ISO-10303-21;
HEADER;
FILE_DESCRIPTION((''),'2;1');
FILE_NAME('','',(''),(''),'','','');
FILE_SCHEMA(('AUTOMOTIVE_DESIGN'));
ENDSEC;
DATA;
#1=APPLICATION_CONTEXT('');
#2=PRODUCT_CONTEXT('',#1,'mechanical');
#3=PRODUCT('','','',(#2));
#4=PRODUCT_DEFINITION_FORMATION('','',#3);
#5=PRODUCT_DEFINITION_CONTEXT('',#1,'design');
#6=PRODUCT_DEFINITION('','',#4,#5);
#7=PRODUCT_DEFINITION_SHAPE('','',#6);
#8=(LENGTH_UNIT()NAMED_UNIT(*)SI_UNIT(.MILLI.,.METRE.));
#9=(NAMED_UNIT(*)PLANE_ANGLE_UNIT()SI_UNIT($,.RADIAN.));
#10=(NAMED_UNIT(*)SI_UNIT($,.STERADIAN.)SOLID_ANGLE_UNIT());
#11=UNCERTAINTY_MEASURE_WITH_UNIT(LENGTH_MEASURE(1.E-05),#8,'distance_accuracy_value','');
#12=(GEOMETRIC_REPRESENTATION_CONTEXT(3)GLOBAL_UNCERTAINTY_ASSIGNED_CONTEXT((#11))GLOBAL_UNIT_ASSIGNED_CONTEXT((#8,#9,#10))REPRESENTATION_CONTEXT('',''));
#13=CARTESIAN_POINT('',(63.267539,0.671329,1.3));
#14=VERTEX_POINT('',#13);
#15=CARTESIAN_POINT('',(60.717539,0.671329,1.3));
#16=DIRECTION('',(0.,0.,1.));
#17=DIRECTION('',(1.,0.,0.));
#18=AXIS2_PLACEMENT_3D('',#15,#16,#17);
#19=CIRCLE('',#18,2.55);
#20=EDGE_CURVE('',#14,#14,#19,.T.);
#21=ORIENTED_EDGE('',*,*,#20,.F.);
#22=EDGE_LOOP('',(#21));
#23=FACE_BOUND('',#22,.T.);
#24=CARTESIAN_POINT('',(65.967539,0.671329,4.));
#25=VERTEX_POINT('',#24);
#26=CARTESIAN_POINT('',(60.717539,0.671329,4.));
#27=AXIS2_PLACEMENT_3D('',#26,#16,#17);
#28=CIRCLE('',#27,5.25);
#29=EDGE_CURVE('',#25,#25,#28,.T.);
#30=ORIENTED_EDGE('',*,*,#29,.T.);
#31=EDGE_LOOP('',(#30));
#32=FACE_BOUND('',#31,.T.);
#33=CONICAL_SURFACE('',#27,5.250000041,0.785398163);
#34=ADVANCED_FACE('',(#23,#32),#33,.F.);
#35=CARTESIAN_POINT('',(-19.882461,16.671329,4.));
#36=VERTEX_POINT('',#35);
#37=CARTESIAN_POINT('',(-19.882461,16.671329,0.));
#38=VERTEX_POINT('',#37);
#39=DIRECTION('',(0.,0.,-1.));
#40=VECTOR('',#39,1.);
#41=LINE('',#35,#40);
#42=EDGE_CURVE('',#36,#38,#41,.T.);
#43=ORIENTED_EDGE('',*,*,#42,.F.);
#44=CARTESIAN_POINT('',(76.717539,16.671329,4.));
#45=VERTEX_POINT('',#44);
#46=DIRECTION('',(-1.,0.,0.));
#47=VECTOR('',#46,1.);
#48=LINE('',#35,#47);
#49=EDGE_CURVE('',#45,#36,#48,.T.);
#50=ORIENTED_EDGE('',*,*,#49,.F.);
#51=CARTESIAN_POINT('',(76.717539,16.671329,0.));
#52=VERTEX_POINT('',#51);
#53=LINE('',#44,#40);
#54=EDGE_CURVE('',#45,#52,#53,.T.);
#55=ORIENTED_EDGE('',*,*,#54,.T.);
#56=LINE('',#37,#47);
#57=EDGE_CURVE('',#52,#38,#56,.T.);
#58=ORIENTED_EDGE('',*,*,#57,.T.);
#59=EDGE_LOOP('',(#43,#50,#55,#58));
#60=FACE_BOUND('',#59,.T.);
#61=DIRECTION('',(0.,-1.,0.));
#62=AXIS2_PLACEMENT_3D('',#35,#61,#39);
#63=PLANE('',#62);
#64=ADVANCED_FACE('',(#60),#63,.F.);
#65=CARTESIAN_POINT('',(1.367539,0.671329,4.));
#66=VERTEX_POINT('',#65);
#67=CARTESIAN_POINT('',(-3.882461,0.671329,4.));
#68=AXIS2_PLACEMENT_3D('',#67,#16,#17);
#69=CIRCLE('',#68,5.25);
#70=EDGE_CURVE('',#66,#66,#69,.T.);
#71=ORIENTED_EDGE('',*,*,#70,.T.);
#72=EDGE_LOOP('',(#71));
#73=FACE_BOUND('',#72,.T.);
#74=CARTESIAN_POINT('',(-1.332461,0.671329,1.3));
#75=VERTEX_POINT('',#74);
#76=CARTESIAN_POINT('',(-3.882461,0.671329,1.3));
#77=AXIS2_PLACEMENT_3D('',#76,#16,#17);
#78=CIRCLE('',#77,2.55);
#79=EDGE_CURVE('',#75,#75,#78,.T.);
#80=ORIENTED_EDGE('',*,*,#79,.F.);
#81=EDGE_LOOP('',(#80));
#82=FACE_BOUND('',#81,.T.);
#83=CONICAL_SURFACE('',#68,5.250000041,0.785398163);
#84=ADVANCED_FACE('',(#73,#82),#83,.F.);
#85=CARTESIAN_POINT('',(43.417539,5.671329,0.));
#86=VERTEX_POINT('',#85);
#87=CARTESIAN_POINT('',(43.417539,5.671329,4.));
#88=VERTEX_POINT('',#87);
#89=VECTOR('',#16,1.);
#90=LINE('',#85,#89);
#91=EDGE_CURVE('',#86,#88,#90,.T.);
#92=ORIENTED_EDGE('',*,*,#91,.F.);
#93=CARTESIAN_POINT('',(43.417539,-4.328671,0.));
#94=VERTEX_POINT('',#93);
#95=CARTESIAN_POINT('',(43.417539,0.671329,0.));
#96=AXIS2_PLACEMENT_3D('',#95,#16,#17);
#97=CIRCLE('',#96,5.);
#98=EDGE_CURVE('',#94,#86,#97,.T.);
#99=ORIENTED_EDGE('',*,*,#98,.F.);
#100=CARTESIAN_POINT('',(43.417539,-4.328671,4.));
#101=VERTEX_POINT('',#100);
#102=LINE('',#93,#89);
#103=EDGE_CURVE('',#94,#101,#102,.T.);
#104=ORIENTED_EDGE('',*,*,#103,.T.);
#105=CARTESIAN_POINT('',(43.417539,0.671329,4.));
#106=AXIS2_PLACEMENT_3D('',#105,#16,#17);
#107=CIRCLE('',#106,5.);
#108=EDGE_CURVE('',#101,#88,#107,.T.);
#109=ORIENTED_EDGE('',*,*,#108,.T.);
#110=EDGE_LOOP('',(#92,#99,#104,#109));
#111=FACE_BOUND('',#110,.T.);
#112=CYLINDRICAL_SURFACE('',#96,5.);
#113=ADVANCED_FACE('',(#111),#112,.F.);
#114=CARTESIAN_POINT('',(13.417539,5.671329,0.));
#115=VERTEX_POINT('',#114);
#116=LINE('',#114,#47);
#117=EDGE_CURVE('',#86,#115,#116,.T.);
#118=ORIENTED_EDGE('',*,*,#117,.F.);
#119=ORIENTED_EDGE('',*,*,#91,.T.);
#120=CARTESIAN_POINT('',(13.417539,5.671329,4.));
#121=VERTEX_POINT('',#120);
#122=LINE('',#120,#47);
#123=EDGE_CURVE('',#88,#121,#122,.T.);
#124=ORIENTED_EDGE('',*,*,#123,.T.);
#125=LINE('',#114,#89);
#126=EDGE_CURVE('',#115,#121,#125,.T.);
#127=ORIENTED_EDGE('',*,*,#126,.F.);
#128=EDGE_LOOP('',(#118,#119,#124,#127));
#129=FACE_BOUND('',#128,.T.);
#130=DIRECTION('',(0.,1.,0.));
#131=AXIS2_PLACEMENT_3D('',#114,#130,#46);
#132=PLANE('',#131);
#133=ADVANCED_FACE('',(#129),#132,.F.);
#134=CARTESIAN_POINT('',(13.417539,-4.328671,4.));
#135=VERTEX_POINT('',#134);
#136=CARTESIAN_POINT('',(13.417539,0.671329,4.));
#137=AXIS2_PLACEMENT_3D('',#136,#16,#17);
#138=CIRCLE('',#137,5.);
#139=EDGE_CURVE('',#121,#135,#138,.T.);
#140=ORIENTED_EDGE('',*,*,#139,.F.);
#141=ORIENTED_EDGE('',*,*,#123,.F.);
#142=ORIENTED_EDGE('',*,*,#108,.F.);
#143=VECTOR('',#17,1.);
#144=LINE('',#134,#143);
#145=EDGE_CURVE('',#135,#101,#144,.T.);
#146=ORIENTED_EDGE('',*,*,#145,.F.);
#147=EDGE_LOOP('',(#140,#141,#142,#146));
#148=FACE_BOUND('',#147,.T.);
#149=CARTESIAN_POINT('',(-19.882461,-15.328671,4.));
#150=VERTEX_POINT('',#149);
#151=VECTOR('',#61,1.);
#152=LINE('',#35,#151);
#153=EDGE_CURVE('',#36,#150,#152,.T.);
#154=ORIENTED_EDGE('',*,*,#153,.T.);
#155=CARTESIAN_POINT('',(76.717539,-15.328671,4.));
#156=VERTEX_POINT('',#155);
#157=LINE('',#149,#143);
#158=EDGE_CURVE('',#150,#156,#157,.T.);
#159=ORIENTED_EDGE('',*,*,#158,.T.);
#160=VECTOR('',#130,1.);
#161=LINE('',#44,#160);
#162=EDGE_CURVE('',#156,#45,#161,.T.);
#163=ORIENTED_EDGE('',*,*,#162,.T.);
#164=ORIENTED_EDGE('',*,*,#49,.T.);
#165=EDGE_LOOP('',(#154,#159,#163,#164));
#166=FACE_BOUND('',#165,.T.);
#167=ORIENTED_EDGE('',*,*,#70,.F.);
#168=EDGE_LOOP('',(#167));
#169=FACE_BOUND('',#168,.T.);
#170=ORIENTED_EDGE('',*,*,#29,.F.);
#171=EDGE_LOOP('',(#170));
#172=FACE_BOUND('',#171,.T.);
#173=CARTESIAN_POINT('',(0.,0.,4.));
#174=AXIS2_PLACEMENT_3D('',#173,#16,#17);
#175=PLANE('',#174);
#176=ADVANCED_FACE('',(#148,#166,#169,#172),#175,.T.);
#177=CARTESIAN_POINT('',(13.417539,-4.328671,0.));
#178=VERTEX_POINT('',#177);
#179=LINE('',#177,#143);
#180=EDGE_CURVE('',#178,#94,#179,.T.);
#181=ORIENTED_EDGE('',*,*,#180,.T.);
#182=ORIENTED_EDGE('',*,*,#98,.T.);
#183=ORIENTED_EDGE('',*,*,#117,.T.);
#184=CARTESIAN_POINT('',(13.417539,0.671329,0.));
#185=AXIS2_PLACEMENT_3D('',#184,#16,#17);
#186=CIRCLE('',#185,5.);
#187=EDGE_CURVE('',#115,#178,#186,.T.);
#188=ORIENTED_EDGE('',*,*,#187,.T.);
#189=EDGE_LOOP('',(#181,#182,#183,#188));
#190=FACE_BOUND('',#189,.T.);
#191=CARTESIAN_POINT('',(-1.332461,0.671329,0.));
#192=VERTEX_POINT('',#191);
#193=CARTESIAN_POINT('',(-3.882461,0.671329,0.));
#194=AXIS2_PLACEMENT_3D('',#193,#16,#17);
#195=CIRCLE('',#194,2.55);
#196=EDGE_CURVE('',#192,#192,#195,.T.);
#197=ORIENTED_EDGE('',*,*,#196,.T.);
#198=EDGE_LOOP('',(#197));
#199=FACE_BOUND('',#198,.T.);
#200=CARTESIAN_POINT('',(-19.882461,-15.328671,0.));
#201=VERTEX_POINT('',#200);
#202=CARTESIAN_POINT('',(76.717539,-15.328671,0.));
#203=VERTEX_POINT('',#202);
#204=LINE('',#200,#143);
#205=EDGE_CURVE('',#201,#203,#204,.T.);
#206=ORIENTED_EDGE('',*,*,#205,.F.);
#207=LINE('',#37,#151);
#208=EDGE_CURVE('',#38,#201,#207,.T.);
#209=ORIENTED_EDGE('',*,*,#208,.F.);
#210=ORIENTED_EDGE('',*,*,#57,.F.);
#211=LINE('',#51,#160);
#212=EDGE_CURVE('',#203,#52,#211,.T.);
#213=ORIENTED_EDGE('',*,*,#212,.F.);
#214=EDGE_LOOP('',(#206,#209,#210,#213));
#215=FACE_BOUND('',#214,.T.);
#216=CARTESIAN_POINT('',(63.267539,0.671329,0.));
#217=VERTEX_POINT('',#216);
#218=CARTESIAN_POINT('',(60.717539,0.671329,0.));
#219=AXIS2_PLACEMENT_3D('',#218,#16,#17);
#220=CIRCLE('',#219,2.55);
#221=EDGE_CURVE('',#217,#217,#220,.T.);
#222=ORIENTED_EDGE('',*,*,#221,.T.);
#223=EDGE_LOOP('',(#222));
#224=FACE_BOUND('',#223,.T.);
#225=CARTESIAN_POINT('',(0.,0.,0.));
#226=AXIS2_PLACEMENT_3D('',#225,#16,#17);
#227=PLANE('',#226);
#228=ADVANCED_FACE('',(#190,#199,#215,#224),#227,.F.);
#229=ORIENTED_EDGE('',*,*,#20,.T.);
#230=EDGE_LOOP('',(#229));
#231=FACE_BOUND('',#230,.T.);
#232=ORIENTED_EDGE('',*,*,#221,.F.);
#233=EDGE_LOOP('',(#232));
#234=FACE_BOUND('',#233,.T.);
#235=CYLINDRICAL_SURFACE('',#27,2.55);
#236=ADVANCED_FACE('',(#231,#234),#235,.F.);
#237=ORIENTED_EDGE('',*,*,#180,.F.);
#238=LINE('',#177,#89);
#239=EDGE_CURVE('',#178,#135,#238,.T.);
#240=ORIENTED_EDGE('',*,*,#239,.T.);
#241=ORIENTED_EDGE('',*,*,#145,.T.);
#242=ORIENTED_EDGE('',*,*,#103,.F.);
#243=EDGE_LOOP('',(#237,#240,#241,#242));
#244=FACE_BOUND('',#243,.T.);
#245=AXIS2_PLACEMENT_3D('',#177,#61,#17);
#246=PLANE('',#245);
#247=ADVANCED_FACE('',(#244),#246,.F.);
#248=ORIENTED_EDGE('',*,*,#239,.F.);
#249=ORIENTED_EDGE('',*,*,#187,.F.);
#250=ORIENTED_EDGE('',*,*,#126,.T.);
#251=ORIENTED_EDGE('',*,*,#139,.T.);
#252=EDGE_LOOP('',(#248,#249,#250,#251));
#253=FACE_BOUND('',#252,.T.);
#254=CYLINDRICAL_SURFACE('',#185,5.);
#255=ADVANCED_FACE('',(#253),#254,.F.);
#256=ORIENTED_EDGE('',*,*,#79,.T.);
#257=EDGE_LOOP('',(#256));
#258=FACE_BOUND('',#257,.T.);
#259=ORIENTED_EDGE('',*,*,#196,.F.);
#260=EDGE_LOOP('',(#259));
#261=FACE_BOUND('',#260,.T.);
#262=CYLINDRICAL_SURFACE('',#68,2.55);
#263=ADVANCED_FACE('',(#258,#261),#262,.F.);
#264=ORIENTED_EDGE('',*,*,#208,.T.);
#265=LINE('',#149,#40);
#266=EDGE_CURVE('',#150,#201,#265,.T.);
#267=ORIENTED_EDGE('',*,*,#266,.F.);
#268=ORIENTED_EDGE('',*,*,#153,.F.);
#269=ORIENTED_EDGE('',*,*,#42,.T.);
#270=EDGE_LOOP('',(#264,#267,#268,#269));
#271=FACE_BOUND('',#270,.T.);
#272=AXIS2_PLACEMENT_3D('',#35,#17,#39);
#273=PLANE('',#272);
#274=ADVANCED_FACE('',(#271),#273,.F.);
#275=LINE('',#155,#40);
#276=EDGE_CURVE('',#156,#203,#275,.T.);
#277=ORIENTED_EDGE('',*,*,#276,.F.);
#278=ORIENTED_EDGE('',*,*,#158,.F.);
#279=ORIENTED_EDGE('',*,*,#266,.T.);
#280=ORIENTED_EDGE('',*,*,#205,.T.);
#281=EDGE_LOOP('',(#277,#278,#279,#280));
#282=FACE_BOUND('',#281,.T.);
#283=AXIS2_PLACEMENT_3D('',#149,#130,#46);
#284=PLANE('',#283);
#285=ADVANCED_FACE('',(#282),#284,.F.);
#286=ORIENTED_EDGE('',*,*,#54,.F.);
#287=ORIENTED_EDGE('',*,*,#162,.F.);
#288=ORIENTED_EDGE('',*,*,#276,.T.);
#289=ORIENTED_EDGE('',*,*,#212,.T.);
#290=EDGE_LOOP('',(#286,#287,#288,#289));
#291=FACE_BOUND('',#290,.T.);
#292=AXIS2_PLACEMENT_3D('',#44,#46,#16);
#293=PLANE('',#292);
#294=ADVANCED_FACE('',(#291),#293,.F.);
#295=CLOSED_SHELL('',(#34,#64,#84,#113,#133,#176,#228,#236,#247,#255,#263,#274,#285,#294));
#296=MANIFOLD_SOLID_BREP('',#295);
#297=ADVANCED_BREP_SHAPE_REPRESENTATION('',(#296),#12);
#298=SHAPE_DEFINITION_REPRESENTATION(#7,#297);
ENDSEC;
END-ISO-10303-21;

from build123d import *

# Parameters (mm, degrees)
SKETCH1_W                                  = 96.6
SKETCH1_H                                  = 32
BOSS_EXTRUDE1_DEPTH                        = 4
CUT_EXTRUDE1_DEPTH                         = 5
FRAISAGE_POUR_VIS_T_TE_FRAIS_E_BOM_2_COUNT = 2
FRAISAGE_POUR_VIS_T_TE_FRAIS_E_BOM_2_PITCH = 64.6


with BuildPart() as part:
    # Sketch1 → Boss-Extrude1 (new body)
    with BuildSketch(Plane.XY):
        with Locations((28.417538555, 0.671328671)):
            Rectangle(SKETCH1_W, SKETCH1_H)
    extrude(amount=BOSS_EXTRUDE1_DEPTH)

    # Sketch2 → Cut-Extrude1 (cut, through all)
    with BuildSketch(Plane.XY.offset(4)):
        with BuildLine():
            Line((13.417538555, 5.671328671), (43.417538555, 5.671328671))
            ThreePointArc((43.417538555, 5.671328671), (48.417538555, 0.671328671), (43.417538555, -4.328671329))
            Line((43.417538555, -4.328671329), (13.417538555, -4.328671329))
            ThreePointArc((13.417538555, -4.328671329), (8.417538555, 0.671328671), (13.417538555, 5.671328671))
        make_face()
    extrude(amount=-CUT_EXTRUDE1_DEPTH, mode=Mode.SUBTRACT)

    # Esquisse3 → Fraisage pour vis à tête fraisée bombée #51 (revolve, cut)
    with BuildSketch(Plane(origin=(-3.882461445, 0.671328671, 4), x_dir=(0, -1, 0), z_dir=(1, 0, 0))):
        Polygon((0, 0), (0, 4), (2.54999998, 4), (2.54999998, 2.700000061), (5.250000041, 0), align=None)
    fraisage_pour_vis_t_te_frais_e_bomb_e = revolve(axis=Axis((-3.882461445, 0.671328671, 10.35), (0, 0, -1)), mode=Mode.SUBTRACT)

    # Fraisage pour vis _ t_te frais_e bom 2: Fraisage pour vis à tête fraisée bombée #51 ×2
    with Locations(*[(i * FRAISAGE_POUR_VIS_T_TE_FRAIS_E_BOM_2_PITCH, 0, 0) for i in range(1, FRAISAGE_POUR_VIS_T_TE_FRAIS_E_BOM_2_COUNT)]):
        add(fraisage_pour_vis_t_te_frais_e_bomb_e, mode=Mode.SUBTRACT)


solid = part.part
